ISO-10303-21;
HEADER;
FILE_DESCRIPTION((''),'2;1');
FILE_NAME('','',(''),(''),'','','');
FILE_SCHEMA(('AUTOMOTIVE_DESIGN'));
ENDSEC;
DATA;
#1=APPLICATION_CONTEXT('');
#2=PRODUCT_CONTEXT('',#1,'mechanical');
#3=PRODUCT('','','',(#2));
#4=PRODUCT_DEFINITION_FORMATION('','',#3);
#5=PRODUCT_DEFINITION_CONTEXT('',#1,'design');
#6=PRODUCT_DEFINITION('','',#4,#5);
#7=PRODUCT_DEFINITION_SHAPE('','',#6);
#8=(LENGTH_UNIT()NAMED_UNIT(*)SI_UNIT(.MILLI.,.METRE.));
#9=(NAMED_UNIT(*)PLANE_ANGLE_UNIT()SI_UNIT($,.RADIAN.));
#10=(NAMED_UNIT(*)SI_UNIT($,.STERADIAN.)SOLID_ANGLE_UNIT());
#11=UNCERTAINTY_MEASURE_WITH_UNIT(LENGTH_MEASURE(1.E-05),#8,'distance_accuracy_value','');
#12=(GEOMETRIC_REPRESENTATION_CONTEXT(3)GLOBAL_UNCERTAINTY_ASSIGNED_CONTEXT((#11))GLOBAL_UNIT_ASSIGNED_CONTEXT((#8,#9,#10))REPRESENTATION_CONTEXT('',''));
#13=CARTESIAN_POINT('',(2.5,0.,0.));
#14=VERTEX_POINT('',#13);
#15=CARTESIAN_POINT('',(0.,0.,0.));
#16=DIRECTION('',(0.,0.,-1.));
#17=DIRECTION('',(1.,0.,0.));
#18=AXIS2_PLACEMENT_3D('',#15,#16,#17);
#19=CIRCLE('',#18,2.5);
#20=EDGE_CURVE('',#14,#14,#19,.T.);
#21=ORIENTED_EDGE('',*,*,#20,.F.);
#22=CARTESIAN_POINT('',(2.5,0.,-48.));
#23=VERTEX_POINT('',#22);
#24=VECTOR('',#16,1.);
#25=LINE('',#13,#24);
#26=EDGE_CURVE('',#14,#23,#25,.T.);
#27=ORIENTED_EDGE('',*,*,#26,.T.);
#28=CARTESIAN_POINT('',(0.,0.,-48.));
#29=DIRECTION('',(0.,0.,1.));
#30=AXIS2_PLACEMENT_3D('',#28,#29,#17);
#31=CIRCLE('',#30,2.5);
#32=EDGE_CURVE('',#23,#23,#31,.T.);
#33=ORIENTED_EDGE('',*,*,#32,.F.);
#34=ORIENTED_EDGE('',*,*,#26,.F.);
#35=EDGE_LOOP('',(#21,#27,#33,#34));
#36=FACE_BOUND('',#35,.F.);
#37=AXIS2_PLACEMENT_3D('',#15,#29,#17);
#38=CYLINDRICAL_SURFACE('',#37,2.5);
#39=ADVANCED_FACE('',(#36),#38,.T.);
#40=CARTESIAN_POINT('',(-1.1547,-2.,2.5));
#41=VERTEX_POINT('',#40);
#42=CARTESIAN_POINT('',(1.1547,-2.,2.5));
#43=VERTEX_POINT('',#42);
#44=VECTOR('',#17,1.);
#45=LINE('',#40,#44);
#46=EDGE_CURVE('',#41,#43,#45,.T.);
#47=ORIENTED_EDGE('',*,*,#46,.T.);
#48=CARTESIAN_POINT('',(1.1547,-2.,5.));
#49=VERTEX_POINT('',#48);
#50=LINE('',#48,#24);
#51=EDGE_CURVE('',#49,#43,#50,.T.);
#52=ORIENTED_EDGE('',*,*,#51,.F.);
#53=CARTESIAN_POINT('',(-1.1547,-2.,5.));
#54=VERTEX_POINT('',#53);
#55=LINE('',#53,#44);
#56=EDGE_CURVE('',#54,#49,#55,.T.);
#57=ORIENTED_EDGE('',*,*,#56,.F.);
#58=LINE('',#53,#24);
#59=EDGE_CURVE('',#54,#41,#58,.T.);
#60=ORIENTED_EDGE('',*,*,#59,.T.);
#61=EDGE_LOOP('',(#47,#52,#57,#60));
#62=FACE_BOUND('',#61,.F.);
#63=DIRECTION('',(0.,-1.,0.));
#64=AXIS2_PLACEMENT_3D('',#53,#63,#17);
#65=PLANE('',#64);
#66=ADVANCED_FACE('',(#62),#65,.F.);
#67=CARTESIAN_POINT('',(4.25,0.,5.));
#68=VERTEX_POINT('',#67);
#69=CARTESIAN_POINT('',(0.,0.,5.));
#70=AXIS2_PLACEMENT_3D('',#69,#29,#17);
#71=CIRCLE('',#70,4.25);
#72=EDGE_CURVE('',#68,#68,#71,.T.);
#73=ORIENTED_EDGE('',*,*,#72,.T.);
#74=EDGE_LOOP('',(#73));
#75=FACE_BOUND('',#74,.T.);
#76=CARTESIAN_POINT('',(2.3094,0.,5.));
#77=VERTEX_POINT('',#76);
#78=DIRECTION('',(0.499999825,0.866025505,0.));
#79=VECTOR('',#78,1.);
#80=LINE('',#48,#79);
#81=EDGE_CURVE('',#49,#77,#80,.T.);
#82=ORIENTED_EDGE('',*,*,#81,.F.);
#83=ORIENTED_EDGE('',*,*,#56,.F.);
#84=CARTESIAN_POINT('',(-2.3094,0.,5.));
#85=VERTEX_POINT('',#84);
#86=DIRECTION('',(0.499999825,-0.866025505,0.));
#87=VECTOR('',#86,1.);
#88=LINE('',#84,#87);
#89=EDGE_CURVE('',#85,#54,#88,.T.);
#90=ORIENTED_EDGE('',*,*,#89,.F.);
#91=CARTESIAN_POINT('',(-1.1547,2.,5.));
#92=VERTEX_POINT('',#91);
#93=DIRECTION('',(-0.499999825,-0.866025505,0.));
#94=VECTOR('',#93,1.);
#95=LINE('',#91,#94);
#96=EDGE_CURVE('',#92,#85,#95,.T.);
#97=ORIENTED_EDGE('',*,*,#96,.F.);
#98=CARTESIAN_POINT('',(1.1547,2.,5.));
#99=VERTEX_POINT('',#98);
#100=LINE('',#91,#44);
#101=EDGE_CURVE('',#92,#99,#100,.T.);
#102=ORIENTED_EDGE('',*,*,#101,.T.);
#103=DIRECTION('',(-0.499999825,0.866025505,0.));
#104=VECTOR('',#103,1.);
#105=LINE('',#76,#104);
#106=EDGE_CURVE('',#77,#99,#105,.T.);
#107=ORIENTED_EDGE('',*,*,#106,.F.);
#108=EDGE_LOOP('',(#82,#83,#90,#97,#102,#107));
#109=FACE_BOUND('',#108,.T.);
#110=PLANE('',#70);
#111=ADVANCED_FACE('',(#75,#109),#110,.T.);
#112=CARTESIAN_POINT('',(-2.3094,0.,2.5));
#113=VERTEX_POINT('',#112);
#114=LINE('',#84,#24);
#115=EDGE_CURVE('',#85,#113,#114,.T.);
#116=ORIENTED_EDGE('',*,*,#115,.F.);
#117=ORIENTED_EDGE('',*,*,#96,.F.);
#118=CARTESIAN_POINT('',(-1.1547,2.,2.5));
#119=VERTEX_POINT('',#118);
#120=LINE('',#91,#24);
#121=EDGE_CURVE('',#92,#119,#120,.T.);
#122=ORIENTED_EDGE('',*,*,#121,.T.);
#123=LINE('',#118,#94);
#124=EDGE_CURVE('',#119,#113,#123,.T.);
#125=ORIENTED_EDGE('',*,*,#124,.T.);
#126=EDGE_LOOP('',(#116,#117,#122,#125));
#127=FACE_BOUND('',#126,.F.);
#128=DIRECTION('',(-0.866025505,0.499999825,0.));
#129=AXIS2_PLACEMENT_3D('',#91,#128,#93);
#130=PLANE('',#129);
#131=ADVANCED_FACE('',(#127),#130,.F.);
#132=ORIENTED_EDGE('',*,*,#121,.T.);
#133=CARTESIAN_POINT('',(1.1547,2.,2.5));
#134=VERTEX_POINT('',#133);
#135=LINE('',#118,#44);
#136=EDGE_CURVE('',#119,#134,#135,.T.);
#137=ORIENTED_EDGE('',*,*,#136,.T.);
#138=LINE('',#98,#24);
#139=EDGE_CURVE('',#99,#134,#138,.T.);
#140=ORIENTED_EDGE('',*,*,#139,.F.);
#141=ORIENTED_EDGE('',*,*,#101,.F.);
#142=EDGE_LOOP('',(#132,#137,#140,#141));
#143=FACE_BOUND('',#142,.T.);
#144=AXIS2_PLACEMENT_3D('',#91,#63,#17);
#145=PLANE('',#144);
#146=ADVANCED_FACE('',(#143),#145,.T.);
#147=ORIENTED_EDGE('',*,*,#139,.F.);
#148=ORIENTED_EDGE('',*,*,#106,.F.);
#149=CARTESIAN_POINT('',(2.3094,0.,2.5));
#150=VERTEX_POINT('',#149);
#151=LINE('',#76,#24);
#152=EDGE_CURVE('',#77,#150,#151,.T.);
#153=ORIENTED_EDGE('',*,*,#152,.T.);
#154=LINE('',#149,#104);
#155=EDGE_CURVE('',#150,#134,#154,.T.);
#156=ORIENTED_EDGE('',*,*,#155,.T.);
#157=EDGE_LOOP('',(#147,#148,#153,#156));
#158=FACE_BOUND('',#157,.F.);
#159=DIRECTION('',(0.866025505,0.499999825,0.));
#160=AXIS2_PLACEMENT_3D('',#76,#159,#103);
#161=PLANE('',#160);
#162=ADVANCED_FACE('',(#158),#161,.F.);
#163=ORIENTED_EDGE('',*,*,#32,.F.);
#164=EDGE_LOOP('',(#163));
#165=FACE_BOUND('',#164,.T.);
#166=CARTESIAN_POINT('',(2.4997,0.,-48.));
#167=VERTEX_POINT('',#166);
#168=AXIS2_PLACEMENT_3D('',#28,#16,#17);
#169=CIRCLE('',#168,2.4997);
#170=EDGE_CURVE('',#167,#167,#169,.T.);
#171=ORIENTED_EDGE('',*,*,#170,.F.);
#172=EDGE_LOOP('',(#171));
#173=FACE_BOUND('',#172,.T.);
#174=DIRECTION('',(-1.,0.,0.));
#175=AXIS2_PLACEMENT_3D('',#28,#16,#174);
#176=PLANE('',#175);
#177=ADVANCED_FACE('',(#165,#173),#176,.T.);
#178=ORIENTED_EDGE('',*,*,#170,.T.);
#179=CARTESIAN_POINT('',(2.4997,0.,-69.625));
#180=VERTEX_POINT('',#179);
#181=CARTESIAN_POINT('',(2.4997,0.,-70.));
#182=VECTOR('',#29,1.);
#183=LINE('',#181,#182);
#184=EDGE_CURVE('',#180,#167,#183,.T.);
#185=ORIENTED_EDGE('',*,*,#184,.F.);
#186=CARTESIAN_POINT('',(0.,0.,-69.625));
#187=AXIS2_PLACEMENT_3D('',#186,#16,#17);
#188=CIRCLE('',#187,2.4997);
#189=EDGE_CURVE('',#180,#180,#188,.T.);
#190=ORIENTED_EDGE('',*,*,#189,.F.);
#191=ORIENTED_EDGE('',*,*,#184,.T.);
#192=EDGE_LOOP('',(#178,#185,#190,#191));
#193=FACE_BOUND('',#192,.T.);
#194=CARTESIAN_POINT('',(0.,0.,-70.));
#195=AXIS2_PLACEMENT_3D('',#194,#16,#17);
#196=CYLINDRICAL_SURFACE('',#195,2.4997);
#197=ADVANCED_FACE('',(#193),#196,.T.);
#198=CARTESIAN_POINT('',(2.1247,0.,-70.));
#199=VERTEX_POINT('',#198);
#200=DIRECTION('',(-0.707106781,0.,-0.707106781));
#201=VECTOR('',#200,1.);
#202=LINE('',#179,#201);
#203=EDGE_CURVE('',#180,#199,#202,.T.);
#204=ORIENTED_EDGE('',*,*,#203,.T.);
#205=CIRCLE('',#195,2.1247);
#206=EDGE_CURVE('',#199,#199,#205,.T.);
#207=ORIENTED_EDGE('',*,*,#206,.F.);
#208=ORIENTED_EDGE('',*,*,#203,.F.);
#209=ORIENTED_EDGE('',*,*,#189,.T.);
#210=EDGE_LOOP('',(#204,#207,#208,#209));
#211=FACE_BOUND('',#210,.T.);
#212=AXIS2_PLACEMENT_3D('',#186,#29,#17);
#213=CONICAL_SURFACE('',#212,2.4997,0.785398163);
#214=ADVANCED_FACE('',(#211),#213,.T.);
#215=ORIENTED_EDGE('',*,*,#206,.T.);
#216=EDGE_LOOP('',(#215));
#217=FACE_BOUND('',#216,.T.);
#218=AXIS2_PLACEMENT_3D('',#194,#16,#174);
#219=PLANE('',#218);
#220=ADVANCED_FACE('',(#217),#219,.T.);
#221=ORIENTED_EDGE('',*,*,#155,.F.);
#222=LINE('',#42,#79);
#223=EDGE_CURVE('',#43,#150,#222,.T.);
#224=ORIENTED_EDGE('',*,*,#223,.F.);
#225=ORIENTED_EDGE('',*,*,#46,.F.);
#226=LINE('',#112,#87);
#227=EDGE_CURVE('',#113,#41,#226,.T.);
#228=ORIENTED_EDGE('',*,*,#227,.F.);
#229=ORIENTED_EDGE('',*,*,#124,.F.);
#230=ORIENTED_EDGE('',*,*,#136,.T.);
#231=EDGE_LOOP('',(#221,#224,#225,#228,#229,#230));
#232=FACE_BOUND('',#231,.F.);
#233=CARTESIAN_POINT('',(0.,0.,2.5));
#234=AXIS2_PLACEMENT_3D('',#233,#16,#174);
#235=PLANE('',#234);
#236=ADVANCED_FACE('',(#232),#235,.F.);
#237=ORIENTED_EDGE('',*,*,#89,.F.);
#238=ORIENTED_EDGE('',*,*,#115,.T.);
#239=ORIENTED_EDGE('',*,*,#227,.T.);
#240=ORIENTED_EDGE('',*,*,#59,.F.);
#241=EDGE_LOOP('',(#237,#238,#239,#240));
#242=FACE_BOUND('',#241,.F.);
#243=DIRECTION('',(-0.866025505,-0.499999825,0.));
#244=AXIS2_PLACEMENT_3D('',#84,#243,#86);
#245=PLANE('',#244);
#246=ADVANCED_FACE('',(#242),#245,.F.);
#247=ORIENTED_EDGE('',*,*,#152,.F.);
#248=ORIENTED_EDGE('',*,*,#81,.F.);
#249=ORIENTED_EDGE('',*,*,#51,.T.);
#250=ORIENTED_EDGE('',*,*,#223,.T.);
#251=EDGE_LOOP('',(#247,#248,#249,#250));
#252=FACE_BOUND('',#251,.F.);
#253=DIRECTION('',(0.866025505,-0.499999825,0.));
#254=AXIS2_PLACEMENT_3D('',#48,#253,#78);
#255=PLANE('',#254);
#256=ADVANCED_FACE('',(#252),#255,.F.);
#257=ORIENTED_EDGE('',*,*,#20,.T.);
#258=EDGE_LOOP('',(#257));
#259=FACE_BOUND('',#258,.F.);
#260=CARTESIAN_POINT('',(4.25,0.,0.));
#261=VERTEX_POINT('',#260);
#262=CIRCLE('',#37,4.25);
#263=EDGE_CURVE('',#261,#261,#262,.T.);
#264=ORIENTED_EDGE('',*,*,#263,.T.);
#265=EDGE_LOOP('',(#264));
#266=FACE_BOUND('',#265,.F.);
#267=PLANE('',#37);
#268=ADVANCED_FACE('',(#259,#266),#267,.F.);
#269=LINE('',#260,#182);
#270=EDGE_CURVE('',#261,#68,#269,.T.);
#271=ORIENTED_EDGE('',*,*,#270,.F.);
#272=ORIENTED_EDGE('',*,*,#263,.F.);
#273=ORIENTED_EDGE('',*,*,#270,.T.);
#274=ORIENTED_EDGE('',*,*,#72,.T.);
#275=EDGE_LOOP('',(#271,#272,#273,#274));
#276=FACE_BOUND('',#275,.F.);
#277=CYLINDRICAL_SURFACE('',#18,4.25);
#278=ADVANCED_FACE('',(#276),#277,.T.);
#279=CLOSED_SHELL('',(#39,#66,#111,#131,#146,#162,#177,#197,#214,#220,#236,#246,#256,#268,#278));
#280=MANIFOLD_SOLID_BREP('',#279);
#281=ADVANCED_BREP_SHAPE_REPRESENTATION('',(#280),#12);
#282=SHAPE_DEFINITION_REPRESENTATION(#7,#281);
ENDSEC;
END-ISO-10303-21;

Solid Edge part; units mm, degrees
sketch "Sketch1" plane through (0, 0, 0) normal (0, 0, 1) x (1, 0, 0)
  circle A0 centre (0, 0) radius 4.25
  dimension "D1" = 8.5
extrude "Protrusion1" add sketch "Sketch1" along normal blind 5
sketch "Sketch2" plane through (0, 0, 0) normal (0, 0, -1) x (1, 0, 0)
  circle A0 centre (0, 0) radius 2.5
extrude "Protrusion2" add sketch "Sketch2" along normal blind 70
sketch "Sketch3" plane through (0, 0, -70) normal (0, 0, -1) x (1, 0, 0)
  circle A0 centre (0, 0) radius 2.4997
extrude "Cutout1" cut sketch "Sketch3" against normal blind 22 flip side to cut
chamfer "Chamfer_1" distance 0.375 angle 45 1 edges at (-2.4997, 0, -70)
sketch "Sketch4" plane through (0, 0, 5) normal (0, 0, 1) x (1, 0, 0)
  line L0 (-1.1547, 2) -> (1.1547, 2)
  line L1 (2.3094, 0) -> (1.1547, 2)
  line L2 (1.1547, -2) -> (2.3094, 0)
  line L3 (-1.1547, -2) -> (1.1547, -2)
  line L4 (-2.3094, 0) -> (-1.1547, -2)
  line L5 (-1.1547, 2) -> (-2.3094, 0)
  dimension "D1" = 4
extrude "Cutout2" cut sketch "Sketch4" against normal blind 2.5
properties part number "300282"
